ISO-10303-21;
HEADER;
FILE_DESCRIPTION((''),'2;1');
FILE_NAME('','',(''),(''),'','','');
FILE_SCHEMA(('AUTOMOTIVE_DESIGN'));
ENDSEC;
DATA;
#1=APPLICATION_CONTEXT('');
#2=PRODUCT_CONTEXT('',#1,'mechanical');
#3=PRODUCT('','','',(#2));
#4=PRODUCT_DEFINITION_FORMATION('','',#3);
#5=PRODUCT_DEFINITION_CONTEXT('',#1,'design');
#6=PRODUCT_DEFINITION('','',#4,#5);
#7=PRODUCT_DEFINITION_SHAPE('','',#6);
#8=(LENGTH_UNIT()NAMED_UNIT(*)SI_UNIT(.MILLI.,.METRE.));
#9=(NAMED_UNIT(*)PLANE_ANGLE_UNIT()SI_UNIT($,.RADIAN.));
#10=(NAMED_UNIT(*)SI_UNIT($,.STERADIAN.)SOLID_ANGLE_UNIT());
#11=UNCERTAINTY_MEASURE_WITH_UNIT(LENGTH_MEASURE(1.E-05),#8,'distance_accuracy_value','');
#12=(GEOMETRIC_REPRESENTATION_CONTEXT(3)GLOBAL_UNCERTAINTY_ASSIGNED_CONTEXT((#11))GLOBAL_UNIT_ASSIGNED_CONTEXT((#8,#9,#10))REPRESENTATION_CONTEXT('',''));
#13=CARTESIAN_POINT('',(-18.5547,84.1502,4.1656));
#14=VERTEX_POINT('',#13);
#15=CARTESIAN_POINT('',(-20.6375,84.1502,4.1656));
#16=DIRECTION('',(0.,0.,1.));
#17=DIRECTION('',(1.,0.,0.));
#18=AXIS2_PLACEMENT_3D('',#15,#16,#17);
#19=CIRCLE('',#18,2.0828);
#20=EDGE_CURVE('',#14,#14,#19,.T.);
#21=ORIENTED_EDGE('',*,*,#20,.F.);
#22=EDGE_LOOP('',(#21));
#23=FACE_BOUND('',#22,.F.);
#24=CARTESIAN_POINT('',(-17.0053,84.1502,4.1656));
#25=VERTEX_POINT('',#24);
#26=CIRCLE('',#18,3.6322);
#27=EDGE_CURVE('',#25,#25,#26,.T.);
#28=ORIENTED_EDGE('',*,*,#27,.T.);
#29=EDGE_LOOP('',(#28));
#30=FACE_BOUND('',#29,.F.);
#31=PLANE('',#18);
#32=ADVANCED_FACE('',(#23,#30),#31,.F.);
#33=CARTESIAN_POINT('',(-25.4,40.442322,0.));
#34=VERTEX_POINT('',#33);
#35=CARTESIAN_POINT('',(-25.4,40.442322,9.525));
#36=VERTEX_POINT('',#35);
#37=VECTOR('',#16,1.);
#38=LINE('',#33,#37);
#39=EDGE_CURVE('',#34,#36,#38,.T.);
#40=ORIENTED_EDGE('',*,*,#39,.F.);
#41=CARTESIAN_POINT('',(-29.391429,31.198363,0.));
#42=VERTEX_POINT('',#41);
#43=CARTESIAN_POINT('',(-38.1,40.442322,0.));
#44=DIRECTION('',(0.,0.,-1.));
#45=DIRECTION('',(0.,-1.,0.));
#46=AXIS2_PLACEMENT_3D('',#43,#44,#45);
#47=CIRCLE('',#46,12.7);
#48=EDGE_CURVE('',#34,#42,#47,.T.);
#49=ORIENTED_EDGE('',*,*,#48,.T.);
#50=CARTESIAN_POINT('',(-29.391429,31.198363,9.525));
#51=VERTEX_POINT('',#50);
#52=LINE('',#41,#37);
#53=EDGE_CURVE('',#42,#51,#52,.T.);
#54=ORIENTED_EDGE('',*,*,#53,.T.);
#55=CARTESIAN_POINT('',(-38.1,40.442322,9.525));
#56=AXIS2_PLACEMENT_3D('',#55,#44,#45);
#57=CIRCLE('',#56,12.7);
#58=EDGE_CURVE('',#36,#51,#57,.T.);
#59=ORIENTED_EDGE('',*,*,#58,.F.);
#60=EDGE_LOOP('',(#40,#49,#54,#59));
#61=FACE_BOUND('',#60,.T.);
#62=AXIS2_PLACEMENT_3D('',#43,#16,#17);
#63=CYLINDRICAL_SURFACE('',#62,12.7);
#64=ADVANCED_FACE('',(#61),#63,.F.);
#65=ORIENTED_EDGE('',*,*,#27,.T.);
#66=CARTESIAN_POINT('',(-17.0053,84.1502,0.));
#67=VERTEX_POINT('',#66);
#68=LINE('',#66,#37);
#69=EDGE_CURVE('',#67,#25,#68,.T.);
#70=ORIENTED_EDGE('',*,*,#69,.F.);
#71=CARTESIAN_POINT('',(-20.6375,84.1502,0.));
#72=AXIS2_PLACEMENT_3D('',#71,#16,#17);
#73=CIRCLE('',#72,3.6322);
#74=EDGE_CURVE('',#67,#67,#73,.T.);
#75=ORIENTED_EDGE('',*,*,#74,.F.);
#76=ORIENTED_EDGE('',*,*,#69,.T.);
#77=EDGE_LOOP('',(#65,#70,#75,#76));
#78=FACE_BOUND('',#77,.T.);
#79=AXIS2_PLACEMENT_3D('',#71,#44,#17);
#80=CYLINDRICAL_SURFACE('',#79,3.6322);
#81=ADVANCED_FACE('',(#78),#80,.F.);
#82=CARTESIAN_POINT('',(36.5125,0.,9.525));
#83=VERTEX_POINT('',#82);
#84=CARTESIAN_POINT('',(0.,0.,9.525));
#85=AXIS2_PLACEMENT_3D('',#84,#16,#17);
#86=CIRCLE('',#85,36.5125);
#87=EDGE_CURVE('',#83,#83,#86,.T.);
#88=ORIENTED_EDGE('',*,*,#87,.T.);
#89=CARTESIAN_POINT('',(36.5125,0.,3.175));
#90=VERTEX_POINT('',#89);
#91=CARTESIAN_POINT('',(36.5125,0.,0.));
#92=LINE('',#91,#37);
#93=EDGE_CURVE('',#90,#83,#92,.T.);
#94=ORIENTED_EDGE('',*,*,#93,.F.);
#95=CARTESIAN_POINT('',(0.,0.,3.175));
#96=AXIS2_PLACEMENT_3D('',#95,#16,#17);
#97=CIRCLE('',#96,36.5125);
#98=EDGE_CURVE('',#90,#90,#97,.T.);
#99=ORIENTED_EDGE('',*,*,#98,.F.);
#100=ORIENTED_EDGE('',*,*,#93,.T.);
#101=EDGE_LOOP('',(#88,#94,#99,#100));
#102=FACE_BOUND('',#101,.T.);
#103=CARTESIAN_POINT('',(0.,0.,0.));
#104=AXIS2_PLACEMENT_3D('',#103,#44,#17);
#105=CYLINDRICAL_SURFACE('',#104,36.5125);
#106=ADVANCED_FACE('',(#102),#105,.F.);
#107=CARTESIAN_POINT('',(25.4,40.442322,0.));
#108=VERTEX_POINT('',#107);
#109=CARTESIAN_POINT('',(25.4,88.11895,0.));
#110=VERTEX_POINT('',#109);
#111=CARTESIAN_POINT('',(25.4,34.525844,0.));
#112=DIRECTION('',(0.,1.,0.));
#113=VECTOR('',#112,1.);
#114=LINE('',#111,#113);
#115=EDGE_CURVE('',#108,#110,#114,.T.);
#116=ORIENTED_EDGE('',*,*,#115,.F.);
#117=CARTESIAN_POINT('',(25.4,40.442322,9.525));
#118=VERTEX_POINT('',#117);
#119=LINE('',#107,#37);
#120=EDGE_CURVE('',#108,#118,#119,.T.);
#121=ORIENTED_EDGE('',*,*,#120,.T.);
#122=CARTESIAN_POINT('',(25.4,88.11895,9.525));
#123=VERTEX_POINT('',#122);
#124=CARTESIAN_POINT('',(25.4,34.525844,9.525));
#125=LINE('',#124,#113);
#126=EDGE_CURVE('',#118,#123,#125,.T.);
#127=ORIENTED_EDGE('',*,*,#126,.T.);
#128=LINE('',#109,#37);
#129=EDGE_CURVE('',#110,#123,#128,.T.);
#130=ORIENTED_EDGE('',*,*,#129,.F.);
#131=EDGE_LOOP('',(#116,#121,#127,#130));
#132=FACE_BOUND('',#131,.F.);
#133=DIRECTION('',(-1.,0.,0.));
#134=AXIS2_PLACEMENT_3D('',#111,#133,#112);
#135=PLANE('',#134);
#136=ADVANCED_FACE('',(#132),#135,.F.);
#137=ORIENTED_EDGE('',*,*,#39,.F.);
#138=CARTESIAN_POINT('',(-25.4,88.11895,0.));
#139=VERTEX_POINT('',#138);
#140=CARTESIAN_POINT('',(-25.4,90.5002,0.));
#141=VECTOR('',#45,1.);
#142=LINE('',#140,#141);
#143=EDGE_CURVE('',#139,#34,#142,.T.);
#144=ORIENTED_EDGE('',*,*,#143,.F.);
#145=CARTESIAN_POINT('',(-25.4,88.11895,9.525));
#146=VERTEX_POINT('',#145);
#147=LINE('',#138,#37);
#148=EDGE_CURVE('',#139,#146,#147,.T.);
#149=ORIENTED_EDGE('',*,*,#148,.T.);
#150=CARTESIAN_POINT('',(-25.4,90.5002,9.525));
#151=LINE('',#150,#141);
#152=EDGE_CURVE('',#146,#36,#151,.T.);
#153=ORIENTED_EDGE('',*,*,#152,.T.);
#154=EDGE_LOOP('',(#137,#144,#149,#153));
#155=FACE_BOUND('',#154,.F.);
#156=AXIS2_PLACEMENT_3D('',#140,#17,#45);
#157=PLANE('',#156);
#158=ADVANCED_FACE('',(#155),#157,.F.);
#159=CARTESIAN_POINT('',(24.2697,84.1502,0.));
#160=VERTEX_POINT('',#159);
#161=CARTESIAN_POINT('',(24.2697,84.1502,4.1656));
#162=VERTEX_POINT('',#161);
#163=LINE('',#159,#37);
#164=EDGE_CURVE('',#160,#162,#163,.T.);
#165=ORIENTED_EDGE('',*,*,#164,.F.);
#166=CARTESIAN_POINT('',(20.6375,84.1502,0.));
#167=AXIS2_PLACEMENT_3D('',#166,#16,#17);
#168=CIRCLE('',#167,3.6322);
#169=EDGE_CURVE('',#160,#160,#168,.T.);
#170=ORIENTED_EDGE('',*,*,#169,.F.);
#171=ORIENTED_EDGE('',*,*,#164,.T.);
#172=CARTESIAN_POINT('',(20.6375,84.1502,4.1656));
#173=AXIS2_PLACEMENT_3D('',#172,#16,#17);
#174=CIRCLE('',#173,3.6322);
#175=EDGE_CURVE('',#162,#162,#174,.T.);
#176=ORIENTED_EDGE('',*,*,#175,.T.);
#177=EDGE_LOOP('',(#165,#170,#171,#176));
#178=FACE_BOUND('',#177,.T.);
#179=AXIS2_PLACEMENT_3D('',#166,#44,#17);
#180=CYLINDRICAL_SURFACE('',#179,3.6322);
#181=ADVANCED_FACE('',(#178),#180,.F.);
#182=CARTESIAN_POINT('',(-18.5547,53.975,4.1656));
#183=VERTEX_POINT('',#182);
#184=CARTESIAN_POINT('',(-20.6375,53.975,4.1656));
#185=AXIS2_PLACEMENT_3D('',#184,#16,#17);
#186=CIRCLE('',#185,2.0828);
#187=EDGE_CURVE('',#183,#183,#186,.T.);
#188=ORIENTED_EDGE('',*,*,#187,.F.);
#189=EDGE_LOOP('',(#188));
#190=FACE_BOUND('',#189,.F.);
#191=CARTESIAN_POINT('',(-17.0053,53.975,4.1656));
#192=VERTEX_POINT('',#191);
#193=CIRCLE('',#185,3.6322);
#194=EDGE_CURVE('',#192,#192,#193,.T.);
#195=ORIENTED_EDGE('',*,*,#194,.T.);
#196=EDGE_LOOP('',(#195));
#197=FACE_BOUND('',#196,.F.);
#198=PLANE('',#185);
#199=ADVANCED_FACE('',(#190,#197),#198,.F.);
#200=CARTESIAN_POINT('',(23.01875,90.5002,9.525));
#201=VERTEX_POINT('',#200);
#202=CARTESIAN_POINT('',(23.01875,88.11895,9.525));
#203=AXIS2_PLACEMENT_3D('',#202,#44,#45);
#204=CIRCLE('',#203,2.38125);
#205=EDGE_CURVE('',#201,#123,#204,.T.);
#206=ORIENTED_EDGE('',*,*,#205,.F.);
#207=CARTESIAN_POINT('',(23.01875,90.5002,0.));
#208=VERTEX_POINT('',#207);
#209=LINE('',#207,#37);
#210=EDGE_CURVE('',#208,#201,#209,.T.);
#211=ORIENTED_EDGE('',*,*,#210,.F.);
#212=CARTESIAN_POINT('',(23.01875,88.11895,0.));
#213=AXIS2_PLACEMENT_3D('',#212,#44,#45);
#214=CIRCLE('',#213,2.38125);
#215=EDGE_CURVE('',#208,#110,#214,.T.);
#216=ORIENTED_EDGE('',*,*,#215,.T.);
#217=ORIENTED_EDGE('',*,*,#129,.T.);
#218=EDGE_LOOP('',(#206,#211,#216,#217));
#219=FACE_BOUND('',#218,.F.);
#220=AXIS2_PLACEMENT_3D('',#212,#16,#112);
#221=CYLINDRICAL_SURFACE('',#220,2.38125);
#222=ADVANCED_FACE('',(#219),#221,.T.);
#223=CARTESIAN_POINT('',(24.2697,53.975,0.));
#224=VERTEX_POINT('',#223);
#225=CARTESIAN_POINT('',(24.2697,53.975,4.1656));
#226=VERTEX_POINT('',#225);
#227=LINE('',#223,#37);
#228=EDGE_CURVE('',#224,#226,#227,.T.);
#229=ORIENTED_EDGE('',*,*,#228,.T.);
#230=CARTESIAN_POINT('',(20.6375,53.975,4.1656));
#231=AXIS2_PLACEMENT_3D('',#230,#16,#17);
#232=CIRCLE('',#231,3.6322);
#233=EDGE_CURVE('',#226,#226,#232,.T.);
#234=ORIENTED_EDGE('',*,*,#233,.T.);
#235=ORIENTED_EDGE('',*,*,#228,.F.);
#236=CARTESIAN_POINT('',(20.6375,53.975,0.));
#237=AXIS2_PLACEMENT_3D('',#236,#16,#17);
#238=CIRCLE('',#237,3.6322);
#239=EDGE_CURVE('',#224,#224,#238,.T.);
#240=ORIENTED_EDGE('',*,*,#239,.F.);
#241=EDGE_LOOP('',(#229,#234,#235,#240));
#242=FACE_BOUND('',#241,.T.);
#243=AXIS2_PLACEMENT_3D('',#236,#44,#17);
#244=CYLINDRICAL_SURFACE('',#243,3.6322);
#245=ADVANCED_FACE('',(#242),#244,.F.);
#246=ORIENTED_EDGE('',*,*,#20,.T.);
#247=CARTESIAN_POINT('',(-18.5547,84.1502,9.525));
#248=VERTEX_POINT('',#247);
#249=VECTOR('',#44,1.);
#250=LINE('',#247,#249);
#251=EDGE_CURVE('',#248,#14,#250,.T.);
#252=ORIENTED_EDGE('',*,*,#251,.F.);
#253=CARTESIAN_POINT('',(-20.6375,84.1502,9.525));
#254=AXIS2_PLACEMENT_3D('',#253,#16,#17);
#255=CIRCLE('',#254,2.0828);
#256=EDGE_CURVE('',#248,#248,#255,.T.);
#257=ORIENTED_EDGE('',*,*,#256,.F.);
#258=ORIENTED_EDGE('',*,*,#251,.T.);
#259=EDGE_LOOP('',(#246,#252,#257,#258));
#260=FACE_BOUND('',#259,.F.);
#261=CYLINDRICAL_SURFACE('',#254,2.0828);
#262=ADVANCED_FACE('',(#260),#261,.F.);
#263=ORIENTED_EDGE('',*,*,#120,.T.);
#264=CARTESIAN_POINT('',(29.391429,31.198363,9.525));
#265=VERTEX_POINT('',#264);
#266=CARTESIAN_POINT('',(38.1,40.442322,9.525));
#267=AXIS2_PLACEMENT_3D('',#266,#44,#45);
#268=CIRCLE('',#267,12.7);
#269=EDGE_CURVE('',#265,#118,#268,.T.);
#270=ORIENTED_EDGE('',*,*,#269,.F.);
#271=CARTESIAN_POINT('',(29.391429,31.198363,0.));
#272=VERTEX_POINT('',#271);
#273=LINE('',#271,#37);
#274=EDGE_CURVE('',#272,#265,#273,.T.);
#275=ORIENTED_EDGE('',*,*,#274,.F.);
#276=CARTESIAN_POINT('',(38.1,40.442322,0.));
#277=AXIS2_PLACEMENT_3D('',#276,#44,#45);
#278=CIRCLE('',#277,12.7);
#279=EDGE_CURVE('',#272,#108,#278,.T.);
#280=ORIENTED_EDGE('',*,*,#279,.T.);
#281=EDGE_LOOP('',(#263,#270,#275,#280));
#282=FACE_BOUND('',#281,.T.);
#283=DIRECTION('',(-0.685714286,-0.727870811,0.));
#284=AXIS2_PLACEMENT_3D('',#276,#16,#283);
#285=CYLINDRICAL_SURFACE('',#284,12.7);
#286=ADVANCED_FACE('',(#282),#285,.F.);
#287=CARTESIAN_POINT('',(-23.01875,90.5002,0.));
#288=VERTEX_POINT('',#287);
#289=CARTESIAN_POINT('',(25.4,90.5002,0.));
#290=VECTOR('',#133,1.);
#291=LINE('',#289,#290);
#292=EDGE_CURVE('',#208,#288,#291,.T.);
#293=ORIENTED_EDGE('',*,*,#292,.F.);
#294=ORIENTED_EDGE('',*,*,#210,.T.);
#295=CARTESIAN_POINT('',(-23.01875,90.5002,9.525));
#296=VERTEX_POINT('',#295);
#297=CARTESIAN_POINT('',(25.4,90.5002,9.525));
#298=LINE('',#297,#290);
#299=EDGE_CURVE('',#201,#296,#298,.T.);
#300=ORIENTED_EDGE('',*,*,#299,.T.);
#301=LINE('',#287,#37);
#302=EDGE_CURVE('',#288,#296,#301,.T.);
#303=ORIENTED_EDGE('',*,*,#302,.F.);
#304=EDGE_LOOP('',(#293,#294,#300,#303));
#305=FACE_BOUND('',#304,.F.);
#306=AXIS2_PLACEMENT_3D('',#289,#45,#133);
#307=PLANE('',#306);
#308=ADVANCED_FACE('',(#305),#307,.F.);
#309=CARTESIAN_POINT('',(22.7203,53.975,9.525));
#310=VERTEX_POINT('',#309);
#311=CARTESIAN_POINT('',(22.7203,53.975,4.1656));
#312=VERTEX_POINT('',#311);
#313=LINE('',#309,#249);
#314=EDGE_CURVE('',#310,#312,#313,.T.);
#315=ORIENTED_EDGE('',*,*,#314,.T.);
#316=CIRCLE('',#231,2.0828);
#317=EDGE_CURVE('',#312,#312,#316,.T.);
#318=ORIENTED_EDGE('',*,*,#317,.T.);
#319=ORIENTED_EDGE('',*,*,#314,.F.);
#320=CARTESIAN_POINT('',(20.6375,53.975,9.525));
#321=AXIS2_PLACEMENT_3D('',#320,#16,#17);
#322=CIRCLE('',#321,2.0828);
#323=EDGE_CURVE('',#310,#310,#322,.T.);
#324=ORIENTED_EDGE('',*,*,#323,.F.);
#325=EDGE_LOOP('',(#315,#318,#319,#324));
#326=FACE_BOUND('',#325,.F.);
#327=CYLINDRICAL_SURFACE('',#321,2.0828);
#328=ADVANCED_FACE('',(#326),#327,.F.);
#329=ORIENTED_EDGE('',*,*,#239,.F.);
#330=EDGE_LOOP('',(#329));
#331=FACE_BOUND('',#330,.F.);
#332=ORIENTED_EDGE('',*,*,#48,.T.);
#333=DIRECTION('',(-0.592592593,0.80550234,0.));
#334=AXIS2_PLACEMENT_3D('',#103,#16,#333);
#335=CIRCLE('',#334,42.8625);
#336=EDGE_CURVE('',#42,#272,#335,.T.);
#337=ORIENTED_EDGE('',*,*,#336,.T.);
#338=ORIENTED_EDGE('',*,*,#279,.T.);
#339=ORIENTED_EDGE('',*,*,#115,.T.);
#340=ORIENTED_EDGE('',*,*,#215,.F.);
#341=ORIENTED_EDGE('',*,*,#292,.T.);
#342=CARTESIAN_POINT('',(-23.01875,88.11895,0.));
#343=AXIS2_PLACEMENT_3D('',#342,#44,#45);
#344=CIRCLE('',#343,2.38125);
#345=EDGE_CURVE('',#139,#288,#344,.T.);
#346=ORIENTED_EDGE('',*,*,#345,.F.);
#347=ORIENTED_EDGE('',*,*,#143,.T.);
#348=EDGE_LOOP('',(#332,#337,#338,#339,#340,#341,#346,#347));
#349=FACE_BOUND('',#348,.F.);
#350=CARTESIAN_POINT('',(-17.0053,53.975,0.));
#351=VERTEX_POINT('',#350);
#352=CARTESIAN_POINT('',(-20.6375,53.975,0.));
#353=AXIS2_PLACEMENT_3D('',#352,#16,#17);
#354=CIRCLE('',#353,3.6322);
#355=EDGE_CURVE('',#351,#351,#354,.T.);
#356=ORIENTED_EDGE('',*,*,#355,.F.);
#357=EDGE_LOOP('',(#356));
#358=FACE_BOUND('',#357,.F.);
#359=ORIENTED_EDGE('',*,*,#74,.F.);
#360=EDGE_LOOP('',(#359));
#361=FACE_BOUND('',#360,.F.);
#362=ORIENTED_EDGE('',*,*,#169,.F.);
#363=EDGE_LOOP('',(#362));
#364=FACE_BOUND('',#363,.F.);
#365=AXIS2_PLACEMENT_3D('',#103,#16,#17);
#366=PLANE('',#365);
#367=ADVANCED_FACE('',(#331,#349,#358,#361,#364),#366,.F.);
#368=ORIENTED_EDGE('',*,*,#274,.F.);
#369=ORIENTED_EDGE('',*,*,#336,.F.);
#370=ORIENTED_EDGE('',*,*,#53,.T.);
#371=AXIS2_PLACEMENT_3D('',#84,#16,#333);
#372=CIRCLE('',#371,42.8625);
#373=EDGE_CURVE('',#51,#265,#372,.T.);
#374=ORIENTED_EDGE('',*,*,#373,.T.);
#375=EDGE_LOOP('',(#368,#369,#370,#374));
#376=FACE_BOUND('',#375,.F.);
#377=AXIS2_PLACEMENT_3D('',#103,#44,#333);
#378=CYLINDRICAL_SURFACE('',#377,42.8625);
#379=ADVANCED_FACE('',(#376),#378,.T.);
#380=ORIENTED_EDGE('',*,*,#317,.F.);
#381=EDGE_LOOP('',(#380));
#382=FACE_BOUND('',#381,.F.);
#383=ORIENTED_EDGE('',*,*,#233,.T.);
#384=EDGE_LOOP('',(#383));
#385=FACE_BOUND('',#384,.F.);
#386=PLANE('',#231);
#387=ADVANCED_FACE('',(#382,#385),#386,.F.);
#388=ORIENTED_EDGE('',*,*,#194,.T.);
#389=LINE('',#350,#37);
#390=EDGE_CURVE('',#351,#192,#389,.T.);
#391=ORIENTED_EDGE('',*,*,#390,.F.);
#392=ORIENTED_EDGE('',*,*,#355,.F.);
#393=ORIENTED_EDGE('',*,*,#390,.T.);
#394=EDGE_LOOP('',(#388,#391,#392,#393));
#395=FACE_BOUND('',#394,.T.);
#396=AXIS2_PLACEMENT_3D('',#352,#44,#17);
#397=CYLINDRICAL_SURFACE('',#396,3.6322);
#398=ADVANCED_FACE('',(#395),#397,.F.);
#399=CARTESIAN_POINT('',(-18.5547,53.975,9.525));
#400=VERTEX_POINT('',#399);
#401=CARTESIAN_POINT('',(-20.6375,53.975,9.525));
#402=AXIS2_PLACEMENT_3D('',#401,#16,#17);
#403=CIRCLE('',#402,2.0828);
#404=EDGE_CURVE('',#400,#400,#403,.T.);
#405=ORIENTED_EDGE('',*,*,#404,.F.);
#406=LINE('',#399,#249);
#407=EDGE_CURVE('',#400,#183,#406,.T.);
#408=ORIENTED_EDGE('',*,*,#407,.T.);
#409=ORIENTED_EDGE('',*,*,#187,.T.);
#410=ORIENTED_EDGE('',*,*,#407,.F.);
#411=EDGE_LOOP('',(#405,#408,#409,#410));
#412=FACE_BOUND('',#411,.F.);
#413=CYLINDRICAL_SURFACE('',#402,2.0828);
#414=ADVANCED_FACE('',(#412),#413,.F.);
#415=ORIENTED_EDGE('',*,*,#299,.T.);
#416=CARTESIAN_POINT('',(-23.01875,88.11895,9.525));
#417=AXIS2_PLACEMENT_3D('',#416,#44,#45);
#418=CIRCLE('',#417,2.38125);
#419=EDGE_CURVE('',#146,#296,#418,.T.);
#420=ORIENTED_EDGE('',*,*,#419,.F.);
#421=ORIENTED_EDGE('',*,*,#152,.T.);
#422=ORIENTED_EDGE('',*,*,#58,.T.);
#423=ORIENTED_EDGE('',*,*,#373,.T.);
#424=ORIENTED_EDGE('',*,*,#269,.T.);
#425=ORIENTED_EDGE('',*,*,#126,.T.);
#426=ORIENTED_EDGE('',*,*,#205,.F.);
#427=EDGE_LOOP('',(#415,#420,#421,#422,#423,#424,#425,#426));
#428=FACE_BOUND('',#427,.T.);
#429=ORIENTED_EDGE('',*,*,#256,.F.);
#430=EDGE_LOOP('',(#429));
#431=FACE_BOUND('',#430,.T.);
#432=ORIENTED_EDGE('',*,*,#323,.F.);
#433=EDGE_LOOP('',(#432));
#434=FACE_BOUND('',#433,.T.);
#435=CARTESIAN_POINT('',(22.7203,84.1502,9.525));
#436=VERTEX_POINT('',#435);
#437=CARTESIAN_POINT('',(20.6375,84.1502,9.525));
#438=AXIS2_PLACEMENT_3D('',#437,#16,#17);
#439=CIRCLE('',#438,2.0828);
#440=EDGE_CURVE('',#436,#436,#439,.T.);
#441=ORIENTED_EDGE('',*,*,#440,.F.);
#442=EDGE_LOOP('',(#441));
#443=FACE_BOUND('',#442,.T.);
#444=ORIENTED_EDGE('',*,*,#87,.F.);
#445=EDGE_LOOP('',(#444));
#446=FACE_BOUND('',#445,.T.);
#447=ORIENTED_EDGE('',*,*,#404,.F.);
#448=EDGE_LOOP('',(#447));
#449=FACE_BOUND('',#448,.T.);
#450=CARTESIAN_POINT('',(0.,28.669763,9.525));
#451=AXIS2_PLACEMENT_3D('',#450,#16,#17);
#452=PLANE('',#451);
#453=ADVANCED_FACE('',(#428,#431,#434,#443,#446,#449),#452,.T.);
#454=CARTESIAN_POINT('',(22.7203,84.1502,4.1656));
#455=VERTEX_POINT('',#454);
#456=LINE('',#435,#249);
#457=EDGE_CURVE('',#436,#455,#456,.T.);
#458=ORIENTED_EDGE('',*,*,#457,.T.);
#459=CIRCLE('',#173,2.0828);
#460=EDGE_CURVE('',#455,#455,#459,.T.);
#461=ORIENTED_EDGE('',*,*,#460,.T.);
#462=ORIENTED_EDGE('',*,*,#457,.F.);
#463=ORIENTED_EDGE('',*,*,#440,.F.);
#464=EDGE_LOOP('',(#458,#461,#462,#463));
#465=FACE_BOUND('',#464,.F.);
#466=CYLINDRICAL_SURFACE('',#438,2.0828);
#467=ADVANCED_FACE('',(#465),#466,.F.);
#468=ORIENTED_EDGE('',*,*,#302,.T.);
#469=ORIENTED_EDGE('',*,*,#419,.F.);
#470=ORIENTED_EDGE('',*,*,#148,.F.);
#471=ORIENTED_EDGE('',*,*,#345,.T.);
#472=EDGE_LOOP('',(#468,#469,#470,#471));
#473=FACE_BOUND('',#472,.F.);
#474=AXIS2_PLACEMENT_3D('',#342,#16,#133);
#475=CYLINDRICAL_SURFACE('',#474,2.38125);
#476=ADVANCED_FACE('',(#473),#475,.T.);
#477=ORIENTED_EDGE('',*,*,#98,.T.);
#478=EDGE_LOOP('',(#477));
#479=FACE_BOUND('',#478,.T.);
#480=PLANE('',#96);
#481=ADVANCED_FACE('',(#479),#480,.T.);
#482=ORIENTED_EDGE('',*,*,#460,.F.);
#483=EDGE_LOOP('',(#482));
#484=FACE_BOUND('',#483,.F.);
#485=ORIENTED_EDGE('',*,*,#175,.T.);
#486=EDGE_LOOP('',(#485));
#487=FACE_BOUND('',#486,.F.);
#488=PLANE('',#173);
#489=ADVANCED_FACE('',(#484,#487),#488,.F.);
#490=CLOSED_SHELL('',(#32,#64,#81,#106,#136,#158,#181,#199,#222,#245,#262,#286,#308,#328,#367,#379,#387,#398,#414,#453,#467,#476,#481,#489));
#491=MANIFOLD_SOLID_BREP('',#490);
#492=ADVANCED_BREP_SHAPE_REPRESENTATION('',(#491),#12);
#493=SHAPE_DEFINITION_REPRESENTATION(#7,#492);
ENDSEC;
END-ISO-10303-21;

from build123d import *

# Parameters (mm, degrees)
F0_R     = 36.5125
F1_DEPTH = 9.525
F2_R     = 36.5125
F3_DEPTH = 3.175
F4_R     = 2.0828
F5_DEPTH = 9.526
F6_R     = 3.6322
F6_R_2   = 2.0828
F7_DEPTH = 4.1656
F8_R     = 2.38125
F9_R     = 12.7


with BuildPart() as f1:
    # F0 (on Top) → F1 (new body)
    with BuildSketch(Plane.XY):
        with BuildLine():
            Line((-25.4, 90.5002), (-25.4, 34.525844))
            ThreePointArc((-25.4, 34.525844), (0, -42.8625), (25.4, 34.525844))
            Line((25.4, 34.525844), (25.4, 90.5002))
            Line((25.4, 90.5002), (-25.4, 90.5002))
        make_face()
        Circle(F0_R, mode=Mode.SUBTRACT)
    extrude(amount=F1_DEPTH)

    # F2 (on Top) → F3 (join)
    with BuildSketch(Plane.XY):
        Circle(F2_R)
    extrude(amount=F3_DEPTH)

    # F4 (on face) → F5 (cut, through all)
    with BuildSketch(Plane.XY.offset(9.525)):
        with Locations((-20.6375, 84.1502)):
            Circle(F4_R)
        with Locations((20.6375, 84.1502)):
            Circle(F4_R)
        with Locations((-20.6375, 53.975)):
            Circle(F4_R)
        with Locations((20.6375, 53.975)):
            Circle(F4_R)
    extrude(amount=-F5_DEPTH, mode=Mode.SUBTRACT)

    # F6 (on face) → F7 (cut)
    with BuildSketch(Plane.XY):
        with Locations((20.6375, 84.1502)):
            Circle(F6_R)
        with Locations((20.6375, 84.1502)):
            Circle(F6_R_2, mode=Mode.SUBTRACT)
        with Locations((-20.6375, 84.1502)):
            Circle(F6_R)
        with Locations((-20.6375, 84.1502)):
            Circle(F6_R_2, mode=Mode.SUBTRACT)
        with Locations((-20.6375, 53.975)):
            Circle(F6_R)
        with Locations((-20.6375, 53.975)):
            Circle(F6_R_2, mode=Mode.SUBTRACT)
        with Locations((20.6375, 53.975)):
            Circle(F6_R)
        with Locations((20.6375, 53.975)):
            Circle(F6_R_2, mode=Mode.SUBTRACT)
    extrude(amount=F7_DEPTH, mode=Mode.SUBTRACT)

    # F8
    f8_edges = [f1.edges().sort_by_distance(p)[0] for p in [
        (25.4, 90.5002, 4.7625),
        (-25.4, 90.5002, 4.7625),
    ]]
    fillet(f8_edges, radius=F8_R)

    # F9
    f9_edges = [f1.edges().sort_by_distance(p)[0] for p in [
        (25.4, 34.525844, 4.7625),
        (-25.4, 34.525844, 4.7625),
    ]]
    fillet(f9_edges, radius=F9_R)


solid = f1.part
